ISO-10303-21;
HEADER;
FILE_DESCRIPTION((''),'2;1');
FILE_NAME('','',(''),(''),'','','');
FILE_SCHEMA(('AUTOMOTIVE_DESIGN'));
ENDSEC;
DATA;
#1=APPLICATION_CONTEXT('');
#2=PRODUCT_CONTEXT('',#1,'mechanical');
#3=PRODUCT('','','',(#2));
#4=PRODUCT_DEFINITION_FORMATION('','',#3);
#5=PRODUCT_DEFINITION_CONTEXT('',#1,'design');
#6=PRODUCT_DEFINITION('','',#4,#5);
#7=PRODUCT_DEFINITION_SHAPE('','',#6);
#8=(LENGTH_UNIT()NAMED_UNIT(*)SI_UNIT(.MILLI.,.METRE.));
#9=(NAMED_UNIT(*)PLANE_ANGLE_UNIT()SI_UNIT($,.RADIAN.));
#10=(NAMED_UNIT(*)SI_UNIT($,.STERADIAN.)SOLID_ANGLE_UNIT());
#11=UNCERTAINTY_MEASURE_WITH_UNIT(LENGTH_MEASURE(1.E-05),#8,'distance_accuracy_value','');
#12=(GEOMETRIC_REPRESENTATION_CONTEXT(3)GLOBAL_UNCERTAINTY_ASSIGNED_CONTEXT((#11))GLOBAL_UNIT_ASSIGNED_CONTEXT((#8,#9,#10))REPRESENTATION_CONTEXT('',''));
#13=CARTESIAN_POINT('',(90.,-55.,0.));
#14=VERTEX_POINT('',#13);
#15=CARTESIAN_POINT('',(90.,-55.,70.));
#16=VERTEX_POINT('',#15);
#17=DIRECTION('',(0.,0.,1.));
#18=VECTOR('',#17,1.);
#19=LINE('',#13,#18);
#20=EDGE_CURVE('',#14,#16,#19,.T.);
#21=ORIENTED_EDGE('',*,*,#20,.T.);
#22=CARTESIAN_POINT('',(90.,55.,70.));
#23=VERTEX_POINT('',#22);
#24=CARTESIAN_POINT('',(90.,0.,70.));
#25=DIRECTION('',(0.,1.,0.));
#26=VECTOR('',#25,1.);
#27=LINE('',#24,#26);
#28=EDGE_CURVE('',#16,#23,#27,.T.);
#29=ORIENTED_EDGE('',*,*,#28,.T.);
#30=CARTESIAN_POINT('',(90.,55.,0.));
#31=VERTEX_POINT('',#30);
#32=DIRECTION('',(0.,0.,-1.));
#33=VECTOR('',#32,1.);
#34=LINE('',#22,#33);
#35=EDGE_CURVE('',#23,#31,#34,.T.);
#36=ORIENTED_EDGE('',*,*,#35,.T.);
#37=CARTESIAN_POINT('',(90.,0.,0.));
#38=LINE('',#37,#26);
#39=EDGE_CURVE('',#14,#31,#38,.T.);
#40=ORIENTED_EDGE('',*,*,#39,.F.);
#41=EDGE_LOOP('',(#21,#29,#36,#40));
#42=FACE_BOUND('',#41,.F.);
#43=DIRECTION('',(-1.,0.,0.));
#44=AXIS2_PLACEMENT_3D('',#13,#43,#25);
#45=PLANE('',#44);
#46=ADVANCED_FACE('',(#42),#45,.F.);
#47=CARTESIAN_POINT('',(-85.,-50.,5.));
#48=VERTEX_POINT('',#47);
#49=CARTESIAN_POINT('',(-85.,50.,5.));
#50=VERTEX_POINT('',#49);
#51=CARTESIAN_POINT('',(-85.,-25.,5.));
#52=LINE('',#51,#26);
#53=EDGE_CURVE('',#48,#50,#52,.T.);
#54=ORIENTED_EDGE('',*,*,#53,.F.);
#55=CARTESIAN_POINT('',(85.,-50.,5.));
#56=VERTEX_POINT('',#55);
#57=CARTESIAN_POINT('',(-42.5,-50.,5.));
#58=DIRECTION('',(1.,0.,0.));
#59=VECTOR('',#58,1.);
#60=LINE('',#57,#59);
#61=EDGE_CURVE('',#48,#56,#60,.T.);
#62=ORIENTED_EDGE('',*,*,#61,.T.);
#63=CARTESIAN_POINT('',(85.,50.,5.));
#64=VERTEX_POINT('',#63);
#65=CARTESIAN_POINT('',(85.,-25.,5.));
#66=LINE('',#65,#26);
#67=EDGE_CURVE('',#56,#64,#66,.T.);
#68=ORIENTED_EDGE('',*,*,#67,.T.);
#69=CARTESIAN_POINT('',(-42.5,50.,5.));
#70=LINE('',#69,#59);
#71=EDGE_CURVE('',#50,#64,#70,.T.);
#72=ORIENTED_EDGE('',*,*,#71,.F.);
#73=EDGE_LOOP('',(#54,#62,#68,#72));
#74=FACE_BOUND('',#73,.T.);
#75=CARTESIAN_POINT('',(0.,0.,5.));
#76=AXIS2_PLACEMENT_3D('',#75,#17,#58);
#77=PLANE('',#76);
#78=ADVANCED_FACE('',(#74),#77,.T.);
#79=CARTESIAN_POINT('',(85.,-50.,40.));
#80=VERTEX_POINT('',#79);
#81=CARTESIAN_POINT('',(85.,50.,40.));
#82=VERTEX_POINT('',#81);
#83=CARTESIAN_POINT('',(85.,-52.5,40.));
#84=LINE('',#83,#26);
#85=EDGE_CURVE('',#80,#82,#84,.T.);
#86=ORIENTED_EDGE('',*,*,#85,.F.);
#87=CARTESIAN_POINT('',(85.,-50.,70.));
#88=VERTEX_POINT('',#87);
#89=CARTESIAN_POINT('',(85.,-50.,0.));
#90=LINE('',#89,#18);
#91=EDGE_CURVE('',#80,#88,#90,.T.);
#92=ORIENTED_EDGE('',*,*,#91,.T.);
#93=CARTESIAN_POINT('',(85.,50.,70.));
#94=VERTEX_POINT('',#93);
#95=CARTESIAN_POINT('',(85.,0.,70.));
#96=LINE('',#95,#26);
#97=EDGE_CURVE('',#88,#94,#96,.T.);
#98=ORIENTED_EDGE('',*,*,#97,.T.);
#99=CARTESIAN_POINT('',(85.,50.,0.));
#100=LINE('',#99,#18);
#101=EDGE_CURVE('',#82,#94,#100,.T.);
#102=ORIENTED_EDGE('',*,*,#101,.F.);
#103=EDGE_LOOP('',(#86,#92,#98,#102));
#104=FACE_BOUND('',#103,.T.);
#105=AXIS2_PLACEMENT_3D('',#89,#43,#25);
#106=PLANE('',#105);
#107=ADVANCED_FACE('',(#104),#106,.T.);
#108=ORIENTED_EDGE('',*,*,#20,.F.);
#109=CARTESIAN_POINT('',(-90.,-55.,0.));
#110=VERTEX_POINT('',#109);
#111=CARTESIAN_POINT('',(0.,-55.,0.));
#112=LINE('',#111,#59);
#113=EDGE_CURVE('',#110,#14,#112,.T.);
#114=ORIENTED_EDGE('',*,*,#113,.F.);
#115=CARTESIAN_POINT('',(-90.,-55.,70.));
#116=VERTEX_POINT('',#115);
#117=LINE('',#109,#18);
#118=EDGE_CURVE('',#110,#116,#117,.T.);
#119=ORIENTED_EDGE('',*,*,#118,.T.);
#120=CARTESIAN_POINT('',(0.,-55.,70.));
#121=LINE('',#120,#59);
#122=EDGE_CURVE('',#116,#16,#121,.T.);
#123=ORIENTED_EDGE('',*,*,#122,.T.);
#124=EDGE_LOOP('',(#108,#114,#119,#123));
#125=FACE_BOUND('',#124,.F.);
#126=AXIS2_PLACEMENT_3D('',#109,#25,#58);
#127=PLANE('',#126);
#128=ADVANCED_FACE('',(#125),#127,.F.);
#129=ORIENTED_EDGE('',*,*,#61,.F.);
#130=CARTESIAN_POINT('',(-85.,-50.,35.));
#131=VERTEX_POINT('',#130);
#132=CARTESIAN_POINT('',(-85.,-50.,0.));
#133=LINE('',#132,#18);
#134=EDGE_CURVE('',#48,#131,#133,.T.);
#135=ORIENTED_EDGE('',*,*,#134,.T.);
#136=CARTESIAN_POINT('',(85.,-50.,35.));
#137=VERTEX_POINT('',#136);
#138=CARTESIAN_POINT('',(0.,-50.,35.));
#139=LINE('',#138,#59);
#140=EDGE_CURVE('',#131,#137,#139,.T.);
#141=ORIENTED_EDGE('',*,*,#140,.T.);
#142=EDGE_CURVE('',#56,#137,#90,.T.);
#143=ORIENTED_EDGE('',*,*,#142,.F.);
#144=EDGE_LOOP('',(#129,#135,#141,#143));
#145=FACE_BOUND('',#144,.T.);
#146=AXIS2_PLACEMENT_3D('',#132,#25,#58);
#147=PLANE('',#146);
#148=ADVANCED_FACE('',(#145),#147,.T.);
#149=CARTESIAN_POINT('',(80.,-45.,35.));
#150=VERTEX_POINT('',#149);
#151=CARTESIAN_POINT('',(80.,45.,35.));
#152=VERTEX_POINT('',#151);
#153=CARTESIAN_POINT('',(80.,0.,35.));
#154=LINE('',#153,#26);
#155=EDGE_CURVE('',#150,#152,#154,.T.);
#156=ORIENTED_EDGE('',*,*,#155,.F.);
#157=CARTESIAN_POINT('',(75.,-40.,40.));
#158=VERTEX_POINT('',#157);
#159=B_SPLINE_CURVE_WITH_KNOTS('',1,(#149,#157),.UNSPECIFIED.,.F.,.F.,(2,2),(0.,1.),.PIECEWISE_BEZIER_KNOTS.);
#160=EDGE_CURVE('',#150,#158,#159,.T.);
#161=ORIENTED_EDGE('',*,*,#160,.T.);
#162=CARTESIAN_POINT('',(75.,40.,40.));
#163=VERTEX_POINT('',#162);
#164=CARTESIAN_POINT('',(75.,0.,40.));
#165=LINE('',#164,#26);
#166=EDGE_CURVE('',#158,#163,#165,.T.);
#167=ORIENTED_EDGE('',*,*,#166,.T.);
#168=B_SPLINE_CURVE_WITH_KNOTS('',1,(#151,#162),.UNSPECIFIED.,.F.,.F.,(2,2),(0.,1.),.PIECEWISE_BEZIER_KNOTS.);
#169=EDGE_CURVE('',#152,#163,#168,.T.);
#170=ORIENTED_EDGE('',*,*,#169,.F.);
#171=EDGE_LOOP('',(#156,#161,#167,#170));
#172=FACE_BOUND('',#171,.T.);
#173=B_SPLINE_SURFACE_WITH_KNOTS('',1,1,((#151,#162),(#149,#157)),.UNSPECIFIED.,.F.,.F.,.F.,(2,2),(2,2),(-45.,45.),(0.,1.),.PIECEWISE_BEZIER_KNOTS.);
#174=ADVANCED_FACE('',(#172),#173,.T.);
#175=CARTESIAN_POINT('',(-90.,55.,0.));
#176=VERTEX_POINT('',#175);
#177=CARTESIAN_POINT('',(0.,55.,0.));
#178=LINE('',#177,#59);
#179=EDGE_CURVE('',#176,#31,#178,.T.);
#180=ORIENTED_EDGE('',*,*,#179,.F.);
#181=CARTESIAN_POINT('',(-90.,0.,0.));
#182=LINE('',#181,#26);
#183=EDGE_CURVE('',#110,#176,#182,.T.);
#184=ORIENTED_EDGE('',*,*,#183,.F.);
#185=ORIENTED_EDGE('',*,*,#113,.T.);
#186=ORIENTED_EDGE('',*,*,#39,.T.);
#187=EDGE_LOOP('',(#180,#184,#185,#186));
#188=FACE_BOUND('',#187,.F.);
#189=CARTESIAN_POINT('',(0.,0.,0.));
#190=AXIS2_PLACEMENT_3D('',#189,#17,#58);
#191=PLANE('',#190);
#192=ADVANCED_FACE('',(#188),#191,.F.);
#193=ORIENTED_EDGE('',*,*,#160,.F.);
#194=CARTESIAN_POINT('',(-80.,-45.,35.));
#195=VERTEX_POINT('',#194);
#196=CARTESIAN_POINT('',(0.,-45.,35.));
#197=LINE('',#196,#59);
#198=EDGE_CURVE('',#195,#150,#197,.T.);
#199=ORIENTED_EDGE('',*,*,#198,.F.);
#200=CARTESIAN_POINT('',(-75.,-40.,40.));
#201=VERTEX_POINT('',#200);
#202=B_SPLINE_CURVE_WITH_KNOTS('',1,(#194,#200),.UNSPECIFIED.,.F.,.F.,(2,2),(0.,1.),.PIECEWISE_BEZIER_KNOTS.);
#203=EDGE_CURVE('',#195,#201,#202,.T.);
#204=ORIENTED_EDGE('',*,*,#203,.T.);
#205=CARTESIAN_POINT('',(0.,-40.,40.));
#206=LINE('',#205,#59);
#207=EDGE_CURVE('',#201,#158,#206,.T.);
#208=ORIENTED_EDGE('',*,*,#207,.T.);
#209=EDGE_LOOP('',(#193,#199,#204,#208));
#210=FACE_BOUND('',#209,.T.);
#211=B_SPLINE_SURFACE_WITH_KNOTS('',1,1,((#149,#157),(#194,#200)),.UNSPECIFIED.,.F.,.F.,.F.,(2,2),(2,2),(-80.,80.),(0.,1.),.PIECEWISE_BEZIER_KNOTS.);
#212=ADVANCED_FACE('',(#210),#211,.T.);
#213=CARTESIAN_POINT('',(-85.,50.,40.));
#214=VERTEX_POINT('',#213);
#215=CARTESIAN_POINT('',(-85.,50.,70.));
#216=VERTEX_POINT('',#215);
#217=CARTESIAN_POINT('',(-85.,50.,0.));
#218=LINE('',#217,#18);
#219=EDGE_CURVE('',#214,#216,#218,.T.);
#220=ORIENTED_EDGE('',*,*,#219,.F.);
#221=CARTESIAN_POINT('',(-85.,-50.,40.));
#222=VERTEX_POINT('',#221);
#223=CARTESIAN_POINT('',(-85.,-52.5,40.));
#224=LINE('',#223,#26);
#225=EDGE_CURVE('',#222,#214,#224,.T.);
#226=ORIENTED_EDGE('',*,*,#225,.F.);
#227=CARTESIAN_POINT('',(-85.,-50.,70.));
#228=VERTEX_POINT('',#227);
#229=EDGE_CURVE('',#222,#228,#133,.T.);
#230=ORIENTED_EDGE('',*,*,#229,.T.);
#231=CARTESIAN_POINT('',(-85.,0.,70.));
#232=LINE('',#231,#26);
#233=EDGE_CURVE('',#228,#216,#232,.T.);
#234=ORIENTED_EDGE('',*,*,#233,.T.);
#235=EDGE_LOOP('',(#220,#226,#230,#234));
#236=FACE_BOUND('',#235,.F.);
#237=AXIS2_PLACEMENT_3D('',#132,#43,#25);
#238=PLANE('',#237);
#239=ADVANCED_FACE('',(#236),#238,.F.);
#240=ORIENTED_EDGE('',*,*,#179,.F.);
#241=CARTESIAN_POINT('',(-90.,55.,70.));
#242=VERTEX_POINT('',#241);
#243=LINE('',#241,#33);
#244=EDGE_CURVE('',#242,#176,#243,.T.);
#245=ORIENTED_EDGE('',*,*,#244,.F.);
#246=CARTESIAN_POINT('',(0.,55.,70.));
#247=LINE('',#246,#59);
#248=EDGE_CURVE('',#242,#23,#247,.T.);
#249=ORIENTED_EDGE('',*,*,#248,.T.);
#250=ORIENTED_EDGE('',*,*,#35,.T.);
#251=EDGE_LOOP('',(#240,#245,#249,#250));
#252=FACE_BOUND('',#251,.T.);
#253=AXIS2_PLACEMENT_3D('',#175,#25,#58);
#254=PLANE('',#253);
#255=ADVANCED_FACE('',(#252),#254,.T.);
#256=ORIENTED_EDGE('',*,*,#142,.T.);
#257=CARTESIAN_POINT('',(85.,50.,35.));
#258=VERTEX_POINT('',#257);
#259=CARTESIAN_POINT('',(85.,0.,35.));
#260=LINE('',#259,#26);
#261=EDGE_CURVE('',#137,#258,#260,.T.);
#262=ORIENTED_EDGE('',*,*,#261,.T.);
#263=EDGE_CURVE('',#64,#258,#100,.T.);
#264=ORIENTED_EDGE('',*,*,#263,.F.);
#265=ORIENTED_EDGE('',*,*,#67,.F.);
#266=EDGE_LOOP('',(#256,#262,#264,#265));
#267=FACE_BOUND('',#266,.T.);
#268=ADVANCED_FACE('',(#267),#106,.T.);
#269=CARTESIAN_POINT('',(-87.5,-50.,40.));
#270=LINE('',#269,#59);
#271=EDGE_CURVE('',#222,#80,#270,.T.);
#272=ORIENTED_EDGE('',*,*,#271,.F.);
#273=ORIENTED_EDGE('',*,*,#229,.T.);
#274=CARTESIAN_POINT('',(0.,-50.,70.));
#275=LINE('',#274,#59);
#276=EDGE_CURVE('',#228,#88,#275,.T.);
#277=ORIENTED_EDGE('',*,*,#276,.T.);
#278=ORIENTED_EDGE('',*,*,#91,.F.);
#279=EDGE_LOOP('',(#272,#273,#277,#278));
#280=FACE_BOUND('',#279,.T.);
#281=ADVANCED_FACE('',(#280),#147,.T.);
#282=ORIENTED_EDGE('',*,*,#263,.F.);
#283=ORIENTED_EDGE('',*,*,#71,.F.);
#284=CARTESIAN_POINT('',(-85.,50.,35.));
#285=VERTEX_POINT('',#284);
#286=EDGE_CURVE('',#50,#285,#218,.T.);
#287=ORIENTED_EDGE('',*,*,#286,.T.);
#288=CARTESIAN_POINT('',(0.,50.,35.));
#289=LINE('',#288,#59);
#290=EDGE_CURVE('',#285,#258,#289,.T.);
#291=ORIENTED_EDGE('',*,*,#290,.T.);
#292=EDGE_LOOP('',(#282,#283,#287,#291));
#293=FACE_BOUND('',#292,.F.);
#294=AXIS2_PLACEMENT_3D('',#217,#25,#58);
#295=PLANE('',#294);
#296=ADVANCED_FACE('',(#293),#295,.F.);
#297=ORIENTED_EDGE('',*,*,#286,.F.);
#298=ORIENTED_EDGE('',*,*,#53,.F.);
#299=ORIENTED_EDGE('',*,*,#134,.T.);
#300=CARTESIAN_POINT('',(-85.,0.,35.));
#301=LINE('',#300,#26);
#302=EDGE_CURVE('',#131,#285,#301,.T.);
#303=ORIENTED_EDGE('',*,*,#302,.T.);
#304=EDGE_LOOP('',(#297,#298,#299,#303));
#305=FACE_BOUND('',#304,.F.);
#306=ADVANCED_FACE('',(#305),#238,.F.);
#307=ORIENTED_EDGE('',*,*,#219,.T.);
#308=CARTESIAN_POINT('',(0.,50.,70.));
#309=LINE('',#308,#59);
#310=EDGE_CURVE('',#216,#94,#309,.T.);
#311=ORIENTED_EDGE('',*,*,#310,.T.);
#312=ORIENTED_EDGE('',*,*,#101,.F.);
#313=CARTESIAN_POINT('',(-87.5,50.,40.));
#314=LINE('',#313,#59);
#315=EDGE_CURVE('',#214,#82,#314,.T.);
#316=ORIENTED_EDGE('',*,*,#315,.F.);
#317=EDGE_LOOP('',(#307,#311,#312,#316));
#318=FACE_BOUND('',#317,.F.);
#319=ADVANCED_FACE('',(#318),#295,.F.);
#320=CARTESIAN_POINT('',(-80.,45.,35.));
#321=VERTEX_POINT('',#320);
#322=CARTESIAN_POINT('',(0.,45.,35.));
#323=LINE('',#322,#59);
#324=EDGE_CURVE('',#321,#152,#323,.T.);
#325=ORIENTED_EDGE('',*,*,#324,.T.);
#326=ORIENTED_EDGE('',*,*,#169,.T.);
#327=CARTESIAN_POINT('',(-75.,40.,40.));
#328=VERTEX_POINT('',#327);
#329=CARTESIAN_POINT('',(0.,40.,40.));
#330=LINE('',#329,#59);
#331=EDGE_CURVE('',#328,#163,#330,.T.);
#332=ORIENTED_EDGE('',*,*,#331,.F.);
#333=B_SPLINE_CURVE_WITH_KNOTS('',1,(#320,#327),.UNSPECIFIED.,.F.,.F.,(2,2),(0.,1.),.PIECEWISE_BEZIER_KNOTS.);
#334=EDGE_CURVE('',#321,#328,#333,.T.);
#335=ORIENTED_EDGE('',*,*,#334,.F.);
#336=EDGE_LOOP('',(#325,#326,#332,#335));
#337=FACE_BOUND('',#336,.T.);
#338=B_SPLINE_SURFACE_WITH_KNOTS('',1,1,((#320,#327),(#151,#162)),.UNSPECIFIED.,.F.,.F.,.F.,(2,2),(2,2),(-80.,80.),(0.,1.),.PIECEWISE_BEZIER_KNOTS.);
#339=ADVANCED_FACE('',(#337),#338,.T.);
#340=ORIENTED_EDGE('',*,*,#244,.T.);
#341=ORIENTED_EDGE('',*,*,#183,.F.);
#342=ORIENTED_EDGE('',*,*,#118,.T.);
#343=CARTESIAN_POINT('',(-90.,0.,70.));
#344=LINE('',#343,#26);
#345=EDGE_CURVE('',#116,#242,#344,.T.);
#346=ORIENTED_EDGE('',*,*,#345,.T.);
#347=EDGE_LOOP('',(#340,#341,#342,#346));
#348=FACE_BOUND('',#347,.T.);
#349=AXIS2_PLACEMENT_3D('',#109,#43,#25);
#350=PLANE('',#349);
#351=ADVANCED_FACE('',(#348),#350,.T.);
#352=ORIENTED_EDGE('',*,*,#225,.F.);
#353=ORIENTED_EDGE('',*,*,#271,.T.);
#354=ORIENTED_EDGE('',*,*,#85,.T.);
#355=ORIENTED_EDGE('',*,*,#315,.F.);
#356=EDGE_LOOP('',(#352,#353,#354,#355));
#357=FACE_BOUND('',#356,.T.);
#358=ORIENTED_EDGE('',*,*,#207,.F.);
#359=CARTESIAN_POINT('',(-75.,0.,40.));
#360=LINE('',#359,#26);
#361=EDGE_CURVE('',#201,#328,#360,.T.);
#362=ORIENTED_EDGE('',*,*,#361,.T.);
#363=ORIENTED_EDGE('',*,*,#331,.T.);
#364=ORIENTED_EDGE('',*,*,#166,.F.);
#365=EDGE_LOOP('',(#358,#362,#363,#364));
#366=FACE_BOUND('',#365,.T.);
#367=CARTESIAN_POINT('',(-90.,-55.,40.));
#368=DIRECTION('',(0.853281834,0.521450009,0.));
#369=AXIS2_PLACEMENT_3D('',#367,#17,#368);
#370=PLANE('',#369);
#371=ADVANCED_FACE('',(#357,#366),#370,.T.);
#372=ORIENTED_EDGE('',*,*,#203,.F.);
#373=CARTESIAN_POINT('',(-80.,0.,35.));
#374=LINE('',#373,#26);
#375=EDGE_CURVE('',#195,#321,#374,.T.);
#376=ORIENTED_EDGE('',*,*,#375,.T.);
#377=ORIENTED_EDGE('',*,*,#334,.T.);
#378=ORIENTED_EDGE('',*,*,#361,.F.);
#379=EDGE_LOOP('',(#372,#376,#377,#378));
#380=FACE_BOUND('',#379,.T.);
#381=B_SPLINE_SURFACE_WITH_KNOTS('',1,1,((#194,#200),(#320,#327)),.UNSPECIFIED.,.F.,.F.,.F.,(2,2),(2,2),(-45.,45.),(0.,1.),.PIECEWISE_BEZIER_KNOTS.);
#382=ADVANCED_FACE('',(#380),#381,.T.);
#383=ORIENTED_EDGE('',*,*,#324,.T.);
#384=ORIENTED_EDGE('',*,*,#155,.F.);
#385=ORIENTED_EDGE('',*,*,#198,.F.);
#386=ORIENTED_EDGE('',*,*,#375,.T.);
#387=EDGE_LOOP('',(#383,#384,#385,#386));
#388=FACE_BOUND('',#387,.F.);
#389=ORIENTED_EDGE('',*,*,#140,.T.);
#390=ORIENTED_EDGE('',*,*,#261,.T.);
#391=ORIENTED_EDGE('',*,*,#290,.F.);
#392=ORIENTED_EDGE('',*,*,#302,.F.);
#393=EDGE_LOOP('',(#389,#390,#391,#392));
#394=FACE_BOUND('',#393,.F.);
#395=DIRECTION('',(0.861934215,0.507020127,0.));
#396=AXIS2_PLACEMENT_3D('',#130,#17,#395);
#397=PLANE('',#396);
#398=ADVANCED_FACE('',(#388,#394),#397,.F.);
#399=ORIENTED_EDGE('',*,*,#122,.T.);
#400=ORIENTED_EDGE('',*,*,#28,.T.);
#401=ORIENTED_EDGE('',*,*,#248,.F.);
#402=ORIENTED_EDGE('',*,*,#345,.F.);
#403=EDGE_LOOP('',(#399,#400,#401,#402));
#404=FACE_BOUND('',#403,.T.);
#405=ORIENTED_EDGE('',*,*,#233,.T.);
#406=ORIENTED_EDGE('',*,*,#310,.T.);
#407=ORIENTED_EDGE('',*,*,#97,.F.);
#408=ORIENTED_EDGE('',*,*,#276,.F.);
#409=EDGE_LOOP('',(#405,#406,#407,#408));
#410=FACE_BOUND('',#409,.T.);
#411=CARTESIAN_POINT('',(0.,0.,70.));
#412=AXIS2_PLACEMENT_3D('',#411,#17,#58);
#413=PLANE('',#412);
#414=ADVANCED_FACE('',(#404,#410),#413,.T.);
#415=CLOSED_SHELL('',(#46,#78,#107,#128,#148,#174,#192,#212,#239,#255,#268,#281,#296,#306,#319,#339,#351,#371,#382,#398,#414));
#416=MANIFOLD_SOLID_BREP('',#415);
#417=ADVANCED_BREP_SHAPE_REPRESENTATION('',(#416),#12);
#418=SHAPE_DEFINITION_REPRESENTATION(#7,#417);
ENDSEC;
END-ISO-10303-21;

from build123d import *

# Parameters (mm, degrees)
F1_W     = 180
F1_H     = 110
F1_W_2   = 170
F1_H_2   = 100
F2_DEPTH = 70
F0_W     = 180
F0_H     = 110
F3_DEPTH = 5
F5_W     = 170
F5_H     = 100
F5_W_2   = 160
F5_H_2   = 90
F6_DEPTH = 5
F6_TAPER = -45


with BuildPart() as f2:
    # F1 (on face) → F2 (new body)
    with BuildSketch(Plane.XY):
        Rectangle(F1_W, F1_H)
        Rectangle(F1_W_2, F1_H_2, mode=Mode.SUBTRACT)
    extrude(amount=F2_DEPTH)

    # F0 (on Top) → F3 (join)
    with BuildSketch(Plane.XY):
        Rectangle(F0_W, F0_H)
    extrude(amount=F3_DEPTH)

    # F5 (on offset) → F6 (join)
    with BuildSketch(Plane.XY.offset(35)):
        Rectangle(F5_W, F5_H)
        Rectangle(F5_W_2, F5_H_2, mode=Mode.SUBTRACT)
    extrude(amount=F6_DEPTH, taper=F6_TAPER)


solid = f2.part
